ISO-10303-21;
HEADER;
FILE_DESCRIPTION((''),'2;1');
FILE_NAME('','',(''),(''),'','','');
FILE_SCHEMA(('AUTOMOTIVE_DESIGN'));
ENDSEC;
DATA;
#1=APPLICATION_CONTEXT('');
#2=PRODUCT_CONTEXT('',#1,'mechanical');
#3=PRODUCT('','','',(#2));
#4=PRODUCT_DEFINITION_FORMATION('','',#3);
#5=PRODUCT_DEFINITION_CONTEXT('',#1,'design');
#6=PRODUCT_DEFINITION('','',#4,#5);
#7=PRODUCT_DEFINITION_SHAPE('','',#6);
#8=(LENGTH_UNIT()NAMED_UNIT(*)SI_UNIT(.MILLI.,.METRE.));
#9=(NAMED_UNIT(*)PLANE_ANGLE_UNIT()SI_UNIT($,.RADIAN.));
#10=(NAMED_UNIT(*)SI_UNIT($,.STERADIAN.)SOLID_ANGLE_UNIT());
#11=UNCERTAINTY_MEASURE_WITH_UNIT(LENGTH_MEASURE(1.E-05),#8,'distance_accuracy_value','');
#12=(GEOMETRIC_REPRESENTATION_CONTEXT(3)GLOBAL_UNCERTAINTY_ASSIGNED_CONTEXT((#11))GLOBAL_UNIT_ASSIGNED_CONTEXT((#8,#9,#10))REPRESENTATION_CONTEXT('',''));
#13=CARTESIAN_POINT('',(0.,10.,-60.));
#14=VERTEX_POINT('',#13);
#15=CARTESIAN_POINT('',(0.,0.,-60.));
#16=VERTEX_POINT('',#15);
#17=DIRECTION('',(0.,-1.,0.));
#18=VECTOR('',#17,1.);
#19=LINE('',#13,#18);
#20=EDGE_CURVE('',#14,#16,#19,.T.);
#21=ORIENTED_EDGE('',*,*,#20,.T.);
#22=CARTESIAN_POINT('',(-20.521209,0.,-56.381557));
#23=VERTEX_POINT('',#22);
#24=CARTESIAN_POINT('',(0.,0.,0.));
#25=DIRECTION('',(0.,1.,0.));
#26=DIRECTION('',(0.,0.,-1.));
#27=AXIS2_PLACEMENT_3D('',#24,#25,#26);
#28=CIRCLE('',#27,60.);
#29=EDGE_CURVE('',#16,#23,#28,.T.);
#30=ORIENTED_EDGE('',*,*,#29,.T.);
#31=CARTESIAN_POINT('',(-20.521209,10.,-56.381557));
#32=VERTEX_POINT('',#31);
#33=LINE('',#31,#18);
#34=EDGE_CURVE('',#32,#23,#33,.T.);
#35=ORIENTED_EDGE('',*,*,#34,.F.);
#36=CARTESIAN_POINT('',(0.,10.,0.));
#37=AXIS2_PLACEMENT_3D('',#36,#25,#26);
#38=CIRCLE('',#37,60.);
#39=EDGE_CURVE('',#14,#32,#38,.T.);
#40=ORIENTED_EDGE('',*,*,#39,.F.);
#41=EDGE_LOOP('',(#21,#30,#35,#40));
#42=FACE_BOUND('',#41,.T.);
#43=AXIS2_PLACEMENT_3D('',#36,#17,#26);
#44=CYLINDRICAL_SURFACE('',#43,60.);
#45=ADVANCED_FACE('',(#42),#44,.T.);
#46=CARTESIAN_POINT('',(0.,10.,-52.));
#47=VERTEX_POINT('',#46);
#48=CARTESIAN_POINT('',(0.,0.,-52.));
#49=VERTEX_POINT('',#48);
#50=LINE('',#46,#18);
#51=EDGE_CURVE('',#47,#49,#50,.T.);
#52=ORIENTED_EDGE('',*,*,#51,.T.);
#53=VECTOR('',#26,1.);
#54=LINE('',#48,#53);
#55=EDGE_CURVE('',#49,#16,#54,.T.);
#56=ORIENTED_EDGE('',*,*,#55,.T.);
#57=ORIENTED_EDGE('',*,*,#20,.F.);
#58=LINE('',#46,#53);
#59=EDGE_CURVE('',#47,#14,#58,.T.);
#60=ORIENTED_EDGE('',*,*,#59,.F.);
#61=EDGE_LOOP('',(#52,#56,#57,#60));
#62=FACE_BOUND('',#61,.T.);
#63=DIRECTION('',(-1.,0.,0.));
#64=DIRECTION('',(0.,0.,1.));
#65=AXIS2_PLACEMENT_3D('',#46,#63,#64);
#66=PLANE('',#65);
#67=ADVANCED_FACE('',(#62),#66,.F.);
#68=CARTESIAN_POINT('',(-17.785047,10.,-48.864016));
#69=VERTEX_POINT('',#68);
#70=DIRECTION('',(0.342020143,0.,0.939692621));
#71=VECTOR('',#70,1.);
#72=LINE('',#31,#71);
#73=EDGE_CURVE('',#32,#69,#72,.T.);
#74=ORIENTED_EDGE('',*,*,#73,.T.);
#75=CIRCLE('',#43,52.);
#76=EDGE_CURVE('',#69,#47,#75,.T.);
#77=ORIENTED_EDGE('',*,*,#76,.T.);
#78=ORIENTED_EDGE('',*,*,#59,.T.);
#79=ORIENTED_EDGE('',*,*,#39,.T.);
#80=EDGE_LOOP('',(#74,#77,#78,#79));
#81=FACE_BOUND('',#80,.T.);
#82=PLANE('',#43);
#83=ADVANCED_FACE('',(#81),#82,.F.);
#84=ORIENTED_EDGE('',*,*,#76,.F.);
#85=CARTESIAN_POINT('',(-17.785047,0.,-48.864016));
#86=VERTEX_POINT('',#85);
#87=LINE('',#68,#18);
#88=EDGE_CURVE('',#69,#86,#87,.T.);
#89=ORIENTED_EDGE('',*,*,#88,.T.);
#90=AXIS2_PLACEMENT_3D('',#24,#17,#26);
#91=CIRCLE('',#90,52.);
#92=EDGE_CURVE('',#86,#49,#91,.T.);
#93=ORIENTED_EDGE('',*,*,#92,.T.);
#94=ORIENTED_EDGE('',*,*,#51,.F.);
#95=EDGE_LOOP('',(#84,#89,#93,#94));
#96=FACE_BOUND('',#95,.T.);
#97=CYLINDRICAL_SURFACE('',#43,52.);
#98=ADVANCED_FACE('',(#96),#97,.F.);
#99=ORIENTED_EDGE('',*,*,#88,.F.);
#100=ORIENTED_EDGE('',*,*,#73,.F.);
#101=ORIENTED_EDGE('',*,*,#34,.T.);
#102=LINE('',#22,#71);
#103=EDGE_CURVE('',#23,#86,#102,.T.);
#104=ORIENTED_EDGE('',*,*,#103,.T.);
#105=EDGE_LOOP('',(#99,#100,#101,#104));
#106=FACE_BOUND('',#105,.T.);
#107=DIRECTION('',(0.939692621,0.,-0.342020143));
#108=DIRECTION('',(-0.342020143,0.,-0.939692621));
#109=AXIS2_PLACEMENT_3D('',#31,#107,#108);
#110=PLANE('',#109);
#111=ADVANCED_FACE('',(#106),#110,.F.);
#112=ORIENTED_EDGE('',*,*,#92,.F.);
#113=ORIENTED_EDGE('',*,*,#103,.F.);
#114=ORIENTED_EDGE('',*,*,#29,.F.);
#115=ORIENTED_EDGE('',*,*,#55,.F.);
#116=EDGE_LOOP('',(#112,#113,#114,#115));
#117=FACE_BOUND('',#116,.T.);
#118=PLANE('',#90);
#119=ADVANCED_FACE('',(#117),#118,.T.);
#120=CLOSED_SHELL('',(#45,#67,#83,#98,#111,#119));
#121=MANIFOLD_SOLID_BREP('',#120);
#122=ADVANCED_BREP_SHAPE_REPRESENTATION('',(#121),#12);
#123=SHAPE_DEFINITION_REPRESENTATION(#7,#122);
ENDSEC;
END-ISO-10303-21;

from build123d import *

# Parameters (mm, degrees)
AUFSATZ_LINEAR_AUSTRAGEN1_DEPTH = 10


with BuildPart() as part:
    # Skizze1 → Aufsatz-Linear austragen1 (new body)
    with BuildSketch(Plane(origin=(0, 0, 0), x_dir=(1, 0, 0), z_dir=(0, 1, 0))):
        with BuildLine():
            Line((-20.5212086, 56.381557247), (-17.785047453, 48.864016281))
            ThreePointArc((-17.785047453, 48.864016281), (-9.029705239, 51.210003157), (0, 52))
            Line((0, 52), (0, 60))
            ThreePointArc((0, 60), (-10.41889066, 59.088465181), (-20.5212086, 56.381557247))
        make_face()
    extrude(amount=AUFSATZ_LINEAR_AUSTRAGEN1_DEPTH)


solid = part.part
